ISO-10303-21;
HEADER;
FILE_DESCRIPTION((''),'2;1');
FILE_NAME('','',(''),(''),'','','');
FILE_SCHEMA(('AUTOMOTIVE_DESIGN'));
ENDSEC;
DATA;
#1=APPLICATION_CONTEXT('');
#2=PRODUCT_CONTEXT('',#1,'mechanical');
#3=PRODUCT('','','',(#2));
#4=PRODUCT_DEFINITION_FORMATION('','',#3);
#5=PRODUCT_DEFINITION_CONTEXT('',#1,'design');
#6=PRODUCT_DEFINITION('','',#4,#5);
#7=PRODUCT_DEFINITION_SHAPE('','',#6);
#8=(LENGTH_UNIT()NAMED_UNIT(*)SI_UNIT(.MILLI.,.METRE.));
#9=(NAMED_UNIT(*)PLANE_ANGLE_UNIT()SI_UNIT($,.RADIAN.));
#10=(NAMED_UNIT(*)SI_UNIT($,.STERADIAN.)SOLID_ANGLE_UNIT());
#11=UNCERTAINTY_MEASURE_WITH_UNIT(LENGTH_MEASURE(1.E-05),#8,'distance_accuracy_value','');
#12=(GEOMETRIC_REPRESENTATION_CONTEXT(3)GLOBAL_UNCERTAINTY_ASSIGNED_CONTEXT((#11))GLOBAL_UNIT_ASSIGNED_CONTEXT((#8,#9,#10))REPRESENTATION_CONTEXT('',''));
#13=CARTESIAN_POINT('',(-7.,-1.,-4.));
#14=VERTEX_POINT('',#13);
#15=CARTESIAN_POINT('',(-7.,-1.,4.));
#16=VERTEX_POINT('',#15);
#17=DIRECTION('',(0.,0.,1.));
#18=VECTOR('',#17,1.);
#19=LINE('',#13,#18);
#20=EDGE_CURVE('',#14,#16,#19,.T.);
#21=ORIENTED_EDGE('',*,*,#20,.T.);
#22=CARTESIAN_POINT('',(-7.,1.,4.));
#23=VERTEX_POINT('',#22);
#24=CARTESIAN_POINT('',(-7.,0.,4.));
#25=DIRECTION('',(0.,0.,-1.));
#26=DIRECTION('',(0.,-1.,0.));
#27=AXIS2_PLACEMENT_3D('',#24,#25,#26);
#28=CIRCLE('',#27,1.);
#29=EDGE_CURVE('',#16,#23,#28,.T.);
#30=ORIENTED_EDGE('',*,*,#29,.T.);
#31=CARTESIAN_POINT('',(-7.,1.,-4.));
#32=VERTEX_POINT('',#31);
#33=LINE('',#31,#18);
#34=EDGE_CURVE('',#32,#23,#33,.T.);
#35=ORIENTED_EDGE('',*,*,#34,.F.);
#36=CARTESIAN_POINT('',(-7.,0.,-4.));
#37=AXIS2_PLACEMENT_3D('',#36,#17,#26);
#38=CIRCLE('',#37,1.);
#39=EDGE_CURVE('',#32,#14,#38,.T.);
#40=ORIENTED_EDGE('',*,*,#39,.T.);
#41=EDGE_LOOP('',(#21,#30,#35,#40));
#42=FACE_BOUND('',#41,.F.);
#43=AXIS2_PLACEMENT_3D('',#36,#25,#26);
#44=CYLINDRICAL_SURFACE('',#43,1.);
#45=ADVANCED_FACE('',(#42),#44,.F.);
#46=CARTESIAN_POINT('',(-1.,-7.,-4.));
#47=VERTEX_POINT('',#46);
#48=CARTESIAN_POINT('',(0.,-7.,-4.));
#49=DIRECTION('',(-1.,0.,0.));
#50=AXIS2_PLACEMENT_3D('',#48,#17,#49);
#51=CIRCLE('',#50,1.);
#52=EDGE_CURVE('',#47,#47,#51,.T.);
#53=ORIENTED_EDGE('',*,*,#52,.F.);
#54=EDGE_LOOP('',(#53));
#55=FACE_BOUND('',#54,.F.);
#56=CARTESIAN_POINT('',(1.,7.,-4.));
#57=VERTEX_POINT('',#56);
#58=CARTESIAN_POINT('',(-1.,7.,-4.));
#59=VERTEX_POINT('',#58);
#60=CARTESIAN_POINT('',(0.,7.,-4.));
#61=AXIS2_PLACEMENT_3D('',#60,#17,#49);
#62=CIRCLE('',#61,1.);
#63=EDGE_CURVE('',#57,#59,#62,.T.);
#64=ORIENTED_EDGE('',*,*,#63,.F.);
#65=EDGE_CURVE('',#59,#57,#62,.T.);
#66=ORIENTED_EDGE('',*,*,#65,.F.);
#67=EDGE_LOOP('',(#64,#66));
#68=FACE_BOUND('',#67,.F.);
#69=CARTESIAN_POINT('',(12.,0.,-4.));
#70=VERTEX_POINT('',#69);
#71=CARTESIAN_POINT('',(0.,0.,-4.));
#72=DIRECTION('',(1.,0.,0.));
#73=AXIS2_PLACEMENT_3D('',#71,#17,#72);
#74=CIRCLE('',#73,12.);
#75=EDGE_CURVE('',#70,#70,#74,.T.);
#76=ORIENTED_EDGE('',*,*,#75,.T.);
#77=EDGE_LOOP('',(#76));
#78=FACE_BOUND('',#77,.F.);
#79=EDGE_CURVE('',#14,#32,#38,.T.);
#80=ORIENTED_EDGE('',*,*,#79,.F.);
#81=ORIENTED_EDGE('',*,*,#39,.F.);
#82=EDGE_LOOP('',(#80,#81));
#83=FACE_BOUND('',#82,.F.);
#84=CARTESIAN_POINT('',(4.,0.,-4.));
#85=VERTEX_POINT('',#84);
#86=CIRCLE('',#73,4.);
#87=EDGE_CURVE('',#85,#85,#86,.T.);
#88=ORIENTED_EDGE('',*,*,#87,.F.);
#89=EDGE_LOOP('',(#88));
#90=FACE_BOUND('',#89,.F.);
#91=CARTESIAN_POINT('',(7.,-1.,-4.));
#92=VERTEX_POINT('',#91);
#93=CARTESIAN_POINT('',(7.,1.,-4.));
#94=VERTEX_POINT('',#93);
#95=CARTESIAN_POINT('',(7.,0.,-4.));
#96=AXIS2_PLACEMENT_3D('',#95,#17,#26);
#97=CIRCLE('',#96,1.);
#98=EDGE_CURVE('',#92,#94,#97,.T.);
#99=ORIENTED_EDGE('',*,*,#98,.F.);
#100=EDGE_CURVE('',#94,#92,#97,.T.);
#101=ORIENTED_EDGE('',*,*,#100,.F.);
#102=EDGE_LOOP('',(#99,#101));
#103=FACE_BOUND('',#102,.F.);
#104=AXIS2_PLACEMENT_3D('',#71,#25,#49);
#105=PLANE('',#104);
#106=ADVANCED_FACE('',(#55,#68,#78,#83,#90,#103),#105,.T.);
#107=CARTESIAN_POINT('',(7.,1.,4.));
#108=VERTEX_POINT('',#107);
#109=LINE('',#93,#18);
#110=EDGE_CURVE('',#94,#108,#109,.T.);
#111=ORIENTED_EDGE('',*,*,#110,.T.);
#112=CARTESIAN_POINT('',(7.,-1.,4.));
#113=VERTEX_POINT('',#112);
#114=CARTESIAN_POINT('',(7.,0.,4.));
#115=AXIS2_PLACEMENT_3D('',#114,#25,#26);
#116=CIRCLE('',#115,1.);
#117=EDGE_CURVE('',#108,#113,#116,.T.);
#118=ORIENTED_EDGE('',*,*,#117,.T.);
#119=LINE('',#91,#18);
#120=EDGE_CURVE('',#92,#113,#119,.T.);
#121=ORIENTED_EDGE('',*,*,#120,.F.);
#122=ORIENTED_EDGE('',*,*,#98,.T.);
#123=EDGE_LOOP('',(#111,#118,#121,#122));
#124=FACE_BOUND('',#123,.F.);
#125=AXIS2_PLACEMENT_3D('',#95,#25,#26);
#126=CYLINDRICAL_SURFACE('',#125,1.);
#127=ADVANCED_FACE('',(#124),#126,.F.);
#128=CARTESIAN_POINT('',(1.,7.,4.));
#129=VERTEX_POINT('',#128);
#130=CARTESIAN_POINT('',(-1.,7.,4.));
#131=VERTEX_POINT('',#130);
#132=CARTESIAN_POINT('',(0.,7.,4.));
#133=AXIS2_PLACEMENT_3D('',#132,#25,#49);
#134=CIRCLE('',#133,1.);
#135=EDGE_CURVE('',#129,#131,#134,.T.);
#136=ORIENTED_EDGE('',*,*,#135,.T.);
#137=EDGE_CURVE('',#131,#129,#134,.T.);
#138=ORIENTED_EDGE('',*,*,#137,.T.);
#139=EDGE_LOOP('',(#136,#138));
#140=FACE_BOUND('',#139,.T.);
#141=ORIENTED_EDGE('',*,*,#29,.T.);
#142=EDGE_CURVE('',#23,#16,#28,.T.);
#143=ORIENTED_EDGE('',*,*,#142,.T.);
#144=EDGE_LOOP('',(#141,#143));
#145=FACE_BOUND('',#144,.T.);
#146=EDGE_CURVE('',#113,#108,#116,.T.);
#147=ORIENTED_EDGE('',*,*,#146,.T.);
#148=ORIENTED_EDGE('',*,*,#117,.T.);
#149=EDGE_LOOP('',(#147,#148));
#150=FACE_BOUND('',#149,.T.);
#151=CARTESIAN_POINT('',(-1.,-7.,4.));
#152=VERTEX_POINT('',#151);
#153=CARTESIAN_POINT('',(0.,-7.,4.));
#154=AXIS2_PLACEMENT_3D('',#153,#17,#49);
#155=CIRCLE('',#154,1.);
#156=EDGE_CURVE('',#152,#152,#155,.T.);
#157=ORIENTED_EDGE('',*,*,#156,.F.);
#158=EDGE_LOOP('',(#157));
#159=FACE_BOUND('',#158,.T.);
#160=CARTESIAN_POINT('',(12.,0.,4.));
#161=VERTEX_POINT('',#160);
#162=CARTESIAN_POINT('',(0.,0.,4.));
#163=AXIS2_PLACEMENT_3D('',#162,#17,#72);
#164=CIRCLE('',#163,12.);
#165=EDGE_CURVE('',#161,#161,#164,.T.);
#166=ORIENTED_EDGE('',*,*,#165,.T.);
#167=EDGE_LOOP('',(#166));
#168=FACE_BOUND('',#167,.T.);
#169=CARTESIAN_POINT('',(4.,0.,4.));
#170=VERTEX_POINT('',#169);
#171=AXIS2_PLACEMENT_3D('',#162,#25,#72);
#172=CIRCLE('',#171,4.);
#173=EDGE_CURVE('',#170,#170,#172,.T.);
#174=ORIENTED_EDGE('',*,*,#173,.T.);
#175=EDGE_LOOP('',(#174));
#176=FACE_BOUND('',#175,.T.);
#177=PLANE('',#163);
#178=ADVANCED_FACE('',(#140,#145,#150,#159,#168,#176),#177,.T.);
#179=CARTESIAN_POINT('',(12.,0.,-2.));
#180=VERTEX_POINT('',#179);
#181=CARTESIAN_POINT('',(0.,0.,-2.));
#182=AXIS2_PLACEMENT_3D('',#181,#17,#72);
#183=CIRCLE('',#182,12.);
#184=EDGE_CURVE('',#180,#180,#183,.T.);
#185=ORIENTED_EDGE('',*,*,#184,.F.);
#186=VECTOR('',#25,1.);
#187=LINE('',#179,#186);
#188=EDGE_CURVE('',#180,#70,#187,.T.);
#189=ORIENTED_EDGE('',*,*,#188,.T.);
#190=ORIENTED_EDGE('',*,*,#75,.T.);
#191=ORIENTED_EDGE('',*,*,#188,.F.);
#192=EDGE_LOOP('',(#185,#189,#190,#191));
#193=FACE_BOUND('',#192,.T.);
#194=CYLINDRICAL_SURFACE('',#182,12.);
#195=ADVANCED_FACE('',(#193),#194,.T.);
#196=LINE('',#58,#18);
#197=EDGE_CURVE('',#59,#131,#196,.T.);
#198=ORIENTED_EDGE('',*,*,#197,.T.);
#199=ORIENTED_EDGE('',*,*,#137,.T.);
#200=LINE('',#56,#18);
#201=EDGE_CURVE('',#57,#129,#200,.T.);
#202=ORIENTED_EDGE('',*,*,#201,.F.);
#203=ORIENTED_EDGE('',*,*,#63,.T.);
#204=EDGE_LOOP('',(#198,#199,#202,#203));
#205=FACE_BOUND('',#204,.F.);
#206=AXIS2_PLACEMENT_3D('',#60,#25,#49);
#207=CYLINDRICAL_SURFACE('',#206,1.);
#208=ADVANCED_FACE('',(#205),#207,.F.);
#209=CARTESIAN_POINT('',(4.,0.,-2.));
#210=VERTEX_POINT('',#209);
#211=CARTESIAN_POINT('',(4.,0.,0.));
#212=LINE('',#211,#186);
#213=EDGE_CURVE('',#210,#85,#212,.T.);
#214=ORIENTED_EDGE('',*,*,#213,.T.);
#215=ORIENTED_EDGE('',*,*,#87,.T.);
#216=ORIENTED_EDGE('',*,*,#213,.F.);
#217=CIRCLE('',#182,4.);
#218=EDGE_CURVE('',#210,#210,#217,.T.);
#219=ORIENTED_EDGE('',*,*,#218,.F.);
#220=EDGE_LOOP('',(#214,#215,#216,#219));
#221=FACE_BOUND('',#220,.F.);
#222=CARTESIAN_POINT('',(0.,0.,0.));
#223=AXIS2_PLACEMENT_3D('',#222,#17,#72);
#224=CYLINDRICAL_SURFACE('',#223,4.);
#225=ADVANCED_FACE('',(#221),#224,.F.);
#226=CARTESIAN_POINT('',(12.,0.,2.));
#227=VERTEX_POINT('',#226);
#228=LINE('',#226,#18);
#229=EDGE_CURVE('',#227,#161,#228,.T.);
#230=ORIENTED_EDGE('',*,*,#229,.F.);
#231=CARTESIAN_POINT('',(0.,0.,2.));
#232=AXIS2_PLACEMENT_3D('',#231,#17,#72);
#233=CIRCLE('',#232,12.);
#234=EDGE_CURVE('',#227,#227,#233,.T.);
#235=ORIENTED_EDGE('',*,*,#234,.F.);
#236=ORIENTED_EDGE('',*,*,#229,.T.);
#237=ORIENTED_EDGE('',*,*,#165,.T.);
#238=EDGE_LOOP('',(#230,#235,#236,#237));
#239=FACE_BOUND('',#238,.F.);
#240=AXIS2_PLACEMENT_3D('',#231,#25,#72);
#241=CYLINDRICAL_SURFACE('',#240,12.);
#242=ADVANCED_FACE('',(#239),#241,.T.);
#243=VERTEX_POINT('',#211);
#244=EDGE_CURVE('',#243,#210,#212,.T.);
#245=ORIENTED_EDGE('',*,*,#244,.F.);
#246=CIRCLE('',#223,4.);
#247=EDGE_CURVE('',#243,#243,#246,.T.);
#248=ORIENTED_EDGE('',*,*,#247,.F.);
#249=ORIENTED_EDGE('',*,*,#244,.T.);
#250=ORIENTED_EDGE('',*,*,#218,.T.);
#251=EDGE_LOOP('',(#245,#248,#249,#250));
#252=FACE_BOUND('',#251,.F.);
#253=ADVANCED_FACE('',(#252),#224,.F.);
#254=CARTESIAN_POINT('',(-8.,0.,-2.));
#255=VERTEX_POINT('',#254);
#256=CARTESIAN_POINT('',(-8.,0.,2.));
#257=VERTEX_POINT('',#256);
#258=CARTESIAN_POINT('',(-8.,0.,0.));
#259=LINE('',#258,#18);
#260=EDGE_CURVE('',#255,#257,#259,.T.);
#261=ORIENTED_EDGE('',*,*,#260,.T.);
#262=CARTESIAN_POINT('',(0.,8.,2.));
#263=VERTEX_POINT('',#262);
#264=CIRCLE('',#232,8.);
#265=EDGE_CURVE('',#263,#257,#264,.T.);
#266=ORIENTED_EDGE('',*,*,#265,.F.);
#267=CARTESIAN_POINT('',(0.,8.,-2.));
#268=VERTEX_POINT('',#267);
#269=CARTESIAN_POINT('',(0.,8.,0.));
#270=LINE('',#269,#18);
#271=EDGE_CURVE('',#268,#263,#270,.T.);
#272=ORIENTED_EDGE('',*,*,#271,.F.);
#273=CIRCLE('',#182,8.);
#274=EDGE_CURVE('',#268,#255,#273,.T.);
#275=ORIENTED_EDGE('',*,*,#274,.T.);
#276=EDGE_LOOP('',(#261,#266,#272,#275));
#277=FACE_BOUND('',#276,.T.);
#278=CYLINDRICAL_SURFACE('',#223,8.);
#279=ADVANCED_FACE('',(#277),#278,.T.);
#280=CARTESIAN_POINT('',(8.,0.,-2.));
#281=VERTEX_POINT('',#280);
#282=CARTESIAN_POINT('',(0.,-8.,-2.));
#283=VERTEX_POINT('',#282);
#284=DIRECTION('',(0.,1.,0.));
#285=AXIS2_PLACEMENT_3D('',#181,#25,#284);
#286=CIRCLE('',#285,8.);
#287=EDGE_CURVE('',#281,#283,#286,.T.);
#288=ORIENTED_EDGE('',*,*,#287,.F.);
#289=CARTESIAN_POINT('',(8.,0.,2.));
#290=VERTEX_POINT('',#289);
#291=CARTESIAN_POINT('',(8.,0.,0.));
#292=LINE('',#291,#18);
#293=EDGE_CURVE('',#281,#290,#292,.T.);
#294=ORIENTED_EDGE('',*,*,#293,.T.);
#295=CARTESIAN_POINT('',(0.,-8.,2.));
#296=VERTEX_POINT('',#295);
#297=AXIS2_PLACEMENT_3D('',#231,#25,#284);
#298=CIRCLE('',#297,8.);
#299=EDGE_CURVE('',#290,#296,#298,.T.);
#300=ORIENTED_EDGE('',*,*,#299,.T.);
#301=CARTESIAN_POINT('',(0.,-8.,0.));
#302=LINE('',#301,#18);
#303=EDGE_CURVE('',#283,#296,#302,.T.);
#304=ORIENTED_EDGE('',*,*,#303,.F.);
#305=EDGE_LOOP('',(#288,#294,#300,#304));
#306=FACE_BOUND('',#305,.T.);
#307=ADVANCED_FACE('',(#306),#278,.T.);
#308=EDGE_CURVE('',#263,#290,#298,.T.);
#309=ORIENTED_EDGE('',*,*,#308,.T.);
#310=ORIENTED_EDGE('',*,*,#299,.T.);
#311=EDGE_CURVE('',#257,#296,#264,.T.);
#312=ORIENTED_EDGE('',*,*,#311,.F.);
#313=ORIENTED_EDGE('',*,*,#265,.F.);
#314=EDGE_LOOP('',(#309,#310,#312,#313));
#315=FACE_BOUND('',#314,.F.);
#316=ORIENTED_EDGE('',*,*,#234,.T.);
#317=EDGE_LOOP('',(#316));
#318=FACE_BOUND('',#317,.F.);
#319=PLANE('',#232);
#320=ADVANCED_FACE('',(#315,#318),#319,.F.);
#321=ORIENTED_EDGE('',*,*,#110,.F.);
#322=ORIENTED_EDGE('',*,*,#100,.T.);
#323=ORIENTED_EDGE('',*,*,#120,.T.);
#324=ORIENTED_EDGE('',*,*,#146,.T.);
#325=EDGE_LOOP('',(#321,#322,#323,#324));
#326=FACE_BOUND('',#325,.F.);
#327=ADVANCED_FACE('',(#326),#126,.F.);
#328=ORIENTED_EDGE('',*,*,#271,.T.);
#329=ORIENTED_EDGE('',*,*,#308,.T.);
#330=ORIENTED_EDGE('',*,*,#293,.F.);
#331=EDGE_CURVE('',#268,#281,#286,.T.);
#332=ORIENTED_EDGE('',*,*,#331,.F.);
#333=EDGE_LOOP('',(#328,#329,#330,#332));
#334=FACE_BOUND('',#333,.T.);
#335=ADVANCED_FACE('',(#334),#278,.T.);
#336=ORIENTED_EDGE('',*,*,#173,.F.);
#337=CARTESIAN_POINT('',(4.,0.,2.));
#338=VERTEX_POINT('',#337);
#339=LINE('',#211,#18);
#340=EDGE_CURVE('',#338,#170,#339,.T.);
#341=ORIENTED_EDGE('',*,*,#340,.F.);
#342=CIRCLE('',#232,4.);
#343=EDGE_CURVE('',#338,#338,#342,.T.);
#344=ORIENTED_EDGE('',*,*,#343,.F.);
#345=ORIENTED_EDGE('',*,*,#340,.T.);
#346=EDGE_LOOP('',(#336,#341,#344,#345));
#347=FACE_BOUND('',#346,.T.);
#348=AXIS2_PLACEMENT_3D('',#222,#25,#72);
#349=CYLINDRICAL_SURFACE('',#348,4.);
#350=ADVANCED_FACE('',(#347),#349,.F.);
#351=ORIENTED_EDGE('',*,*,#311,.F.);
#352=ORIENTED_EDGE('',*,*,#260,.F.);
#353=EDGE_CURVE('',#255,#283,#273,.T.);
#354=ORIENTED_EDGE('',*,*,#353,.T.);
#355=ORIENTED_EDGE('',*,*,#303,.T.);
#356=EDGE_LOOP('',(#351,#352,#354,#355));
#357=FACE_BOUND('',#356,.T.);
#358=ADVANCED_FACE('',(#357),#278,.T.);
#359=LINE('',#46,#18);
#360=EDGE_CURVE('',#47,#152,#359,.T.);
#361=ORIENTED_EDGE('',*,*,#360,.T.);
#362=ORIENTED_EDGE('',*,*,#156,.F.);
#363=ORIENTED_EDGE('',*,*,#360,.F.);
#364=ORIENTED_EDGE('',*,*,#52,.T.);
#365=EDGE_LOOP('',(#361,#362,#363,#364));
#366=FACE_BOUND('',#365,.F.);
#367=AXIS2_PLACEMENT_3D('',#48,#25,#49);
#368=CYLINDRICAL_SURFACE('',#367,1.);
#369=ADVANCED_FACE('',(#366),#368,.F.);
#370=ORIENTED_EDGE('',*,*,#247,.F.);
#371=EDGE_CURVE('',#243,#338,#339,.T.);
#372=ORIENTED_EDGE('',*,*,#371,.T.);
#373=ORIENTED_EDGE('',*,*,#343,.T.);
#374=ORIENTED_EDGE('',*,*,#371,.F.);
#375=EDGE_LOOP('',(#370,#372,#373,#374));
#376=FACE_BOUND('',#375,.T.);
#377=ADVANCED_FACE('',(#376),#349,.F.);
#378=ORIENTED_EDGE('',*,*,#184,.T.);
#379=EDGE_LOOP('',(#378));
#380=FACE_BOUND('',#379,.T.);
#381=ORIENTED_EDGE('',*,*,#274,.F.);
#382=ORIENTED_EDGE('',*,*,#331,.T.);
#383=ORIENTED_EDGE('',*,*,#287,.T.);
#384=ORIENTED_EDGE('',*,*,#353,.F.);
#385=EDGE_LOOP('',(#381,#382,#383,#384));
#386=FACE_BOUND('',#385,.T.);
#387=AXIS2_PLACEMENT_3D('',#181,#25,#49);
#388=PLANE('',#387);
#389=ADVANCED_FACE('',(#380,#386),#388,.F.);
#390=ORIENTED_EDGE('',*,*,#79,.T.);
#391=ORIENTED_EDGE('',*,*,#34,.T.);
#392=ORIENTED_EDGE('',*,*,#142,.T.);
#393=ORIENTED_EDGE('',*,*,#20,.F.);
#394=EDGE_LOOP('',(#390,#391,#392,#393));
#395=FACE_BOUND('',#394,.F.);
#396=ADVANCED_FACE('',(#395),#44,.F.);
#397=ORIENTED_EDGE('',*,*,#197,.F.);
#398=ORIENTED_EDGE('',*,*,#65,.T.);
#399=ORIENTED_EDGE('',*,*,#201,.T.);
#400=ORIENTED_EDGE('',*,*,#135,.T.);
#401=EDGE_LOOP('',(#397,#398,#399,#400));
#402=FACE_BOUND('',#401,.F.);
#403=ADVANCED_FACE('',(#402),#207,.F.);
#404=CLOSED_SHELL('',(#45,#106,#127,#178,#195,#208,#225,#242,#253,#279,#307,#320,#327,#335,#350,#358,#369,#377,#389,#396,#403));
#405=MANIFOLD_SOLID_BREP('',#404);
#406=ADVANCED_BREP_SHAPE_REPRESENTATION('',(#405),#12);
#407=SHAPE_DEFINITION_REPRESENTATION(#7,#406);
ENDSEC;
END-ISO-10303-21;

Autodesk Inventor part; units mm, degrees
ref_plane "YZ Plane" through (0, 0, 0) normal (1, 0, 0) x (0, 1, 0)
ref_plane "XZ Plane" through (0, 0, 0) normal (0, 1, 0) x (-1, 0, 0)
ref_plane "XY Plane" through (0, 0, 0) normal (0, 0, 1) x (1, 0, 0)
sketch "Sketch1" plane through (0, 0, 0) normal (0, 0, 1) x (1, 0, 0)
  circle A0 centre (0, 0) radius 4
  circle A1 centre (0, 0) radius 8
  circle A2 centre (0, 0) radius 12
  dimension "d0" = 8
  dimension "d1" = 16
  dimension "d2" = 24
extrude "Extrusion1" add sketch "Sketch1" along normal mid plane 4 contours A1
sketch "Sketch2" plane through (0, 0, 2) normal (0, 0, 1) x (1, 0, 0)
  circle A0 centre (0, 0) radius 12 projected
  circle A1 centre (0, 0) radius 8 projected
extrude "Extrusion2" add sketch "Sketch2" along normal blind 2 contours A0 | A1
mirror "Mirror1" about plane through (0, 0, 0) normal (0, 0, 1) of "Extrusion2"
extrude "Extrusion3" cut sketch "Sketch1" along normal through all both and the other way through all contours A0
sketch "Sketch3" plane through (0, 0, -4) normal (0, 0, -1) x (-1, 0, 0)
  circle A0 centre (0, 0) radius 7
  line L0 (0, -7) -> (0, 7)
  circle A1 centre (0, -7) radius 1
  circle A2 centre (0, 7) radius 1
  dimension "d9" = 14
  dimension "d10" = 2
  dimension "d11" = 2
extrude "Extrusion4" cut sketch "Sketch3" against normal through all contours A2 L0 A0 | A0 A2 | A1 A0 | A0 L0 A1 | L0 A2 A0 | A0 A1 L0
pattern_circular "Circular Pattern1" count 4 over 360 about axis through (0, 0, -10) along (0, 0, 1) of "Extrusion4"
properties part number "Servo Pulley"
